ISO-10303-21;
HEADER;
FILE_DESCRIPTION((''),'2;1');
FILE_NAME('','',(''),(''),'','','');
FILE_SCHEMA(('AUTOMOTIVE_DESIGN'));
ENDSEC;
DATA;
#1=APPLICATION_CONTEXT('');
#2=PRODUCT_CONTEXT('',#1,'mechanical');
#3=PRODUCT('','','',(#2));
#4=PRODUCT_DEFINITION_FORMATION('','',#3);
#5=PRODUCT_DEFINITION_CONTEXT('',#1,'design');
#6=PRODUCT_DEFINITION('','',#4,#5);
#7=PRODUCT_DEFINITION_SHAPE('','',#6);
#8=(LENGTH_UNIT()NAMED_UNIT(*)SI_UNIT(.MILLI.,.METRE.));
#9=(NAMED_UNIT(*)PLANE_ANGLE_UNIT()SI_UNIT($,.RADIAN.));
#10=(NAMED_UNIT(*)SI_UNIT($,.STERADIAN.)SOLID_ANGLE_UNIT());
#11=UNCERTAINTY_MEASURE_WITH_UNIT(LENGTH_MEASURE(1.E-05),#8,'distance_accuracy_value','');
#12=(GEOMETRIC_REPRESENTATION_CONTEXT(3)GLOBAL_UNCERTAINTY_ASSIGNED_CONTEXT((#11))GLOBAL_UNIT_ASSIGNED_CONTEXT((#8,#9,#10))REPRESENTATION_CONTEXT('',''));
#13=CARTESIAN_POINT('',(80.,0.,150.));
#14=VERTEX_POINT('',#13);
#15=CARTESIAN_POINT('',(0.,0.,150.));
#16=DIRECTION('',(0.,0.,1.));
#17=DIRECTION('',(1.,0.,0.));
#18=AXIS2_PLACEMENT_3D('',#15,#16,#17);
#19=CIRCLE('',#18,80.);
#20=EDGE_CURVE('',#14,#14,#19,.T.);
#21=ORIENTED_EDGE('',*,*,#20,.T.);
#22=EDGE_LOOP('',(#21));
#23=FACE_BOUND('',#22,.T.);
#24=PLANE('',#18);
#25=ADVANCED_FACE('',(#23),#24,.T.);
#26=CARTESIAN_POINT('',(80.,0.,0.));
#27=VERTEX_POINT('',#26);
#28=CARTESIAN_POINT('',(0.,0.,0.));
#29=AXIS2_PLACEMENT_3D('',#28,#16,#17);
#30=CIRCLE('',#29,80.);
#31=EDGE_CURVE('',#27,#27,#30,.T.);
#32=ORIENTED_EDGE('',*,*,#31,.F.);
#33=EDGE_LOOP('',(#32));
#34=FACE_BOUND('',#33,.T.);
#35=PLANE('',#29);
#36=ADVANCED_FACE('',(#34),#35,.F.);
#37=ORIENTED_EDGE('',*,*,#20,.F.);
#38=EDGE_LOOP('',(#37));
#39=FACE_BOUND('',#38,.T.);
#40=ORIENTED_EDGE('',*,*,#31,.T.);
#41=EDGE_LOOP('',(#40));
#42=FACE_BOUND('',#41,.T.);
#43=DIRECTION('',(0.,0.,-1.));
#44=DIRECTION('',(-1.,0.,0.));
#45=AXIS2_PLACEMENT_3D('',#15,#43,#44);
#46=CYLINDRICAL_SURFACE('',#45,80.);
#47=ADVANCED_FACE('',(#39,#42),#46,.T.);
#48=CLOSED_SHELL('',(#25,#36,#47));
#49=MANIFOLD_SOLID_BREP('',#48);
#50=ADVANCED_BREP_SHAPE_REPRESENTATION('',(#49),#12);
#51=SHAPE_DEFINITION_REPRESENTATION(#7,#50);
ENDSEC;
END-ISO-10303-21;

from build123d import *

# Parameters (mm, degrees)
ESQUISSE1_R        = 80
BOSS_EXTRU_1_DEPTH = 150


with BuildPart() as part:
    # Esquisse1 → Boss.-Extru.1 (new body)
    with BuildSketch(Plane.XY):
        Circle(ESQUISSE1_R)
    extrude(amount=BOSS_EXTRU_1_DEPTH)


solid = part.part
